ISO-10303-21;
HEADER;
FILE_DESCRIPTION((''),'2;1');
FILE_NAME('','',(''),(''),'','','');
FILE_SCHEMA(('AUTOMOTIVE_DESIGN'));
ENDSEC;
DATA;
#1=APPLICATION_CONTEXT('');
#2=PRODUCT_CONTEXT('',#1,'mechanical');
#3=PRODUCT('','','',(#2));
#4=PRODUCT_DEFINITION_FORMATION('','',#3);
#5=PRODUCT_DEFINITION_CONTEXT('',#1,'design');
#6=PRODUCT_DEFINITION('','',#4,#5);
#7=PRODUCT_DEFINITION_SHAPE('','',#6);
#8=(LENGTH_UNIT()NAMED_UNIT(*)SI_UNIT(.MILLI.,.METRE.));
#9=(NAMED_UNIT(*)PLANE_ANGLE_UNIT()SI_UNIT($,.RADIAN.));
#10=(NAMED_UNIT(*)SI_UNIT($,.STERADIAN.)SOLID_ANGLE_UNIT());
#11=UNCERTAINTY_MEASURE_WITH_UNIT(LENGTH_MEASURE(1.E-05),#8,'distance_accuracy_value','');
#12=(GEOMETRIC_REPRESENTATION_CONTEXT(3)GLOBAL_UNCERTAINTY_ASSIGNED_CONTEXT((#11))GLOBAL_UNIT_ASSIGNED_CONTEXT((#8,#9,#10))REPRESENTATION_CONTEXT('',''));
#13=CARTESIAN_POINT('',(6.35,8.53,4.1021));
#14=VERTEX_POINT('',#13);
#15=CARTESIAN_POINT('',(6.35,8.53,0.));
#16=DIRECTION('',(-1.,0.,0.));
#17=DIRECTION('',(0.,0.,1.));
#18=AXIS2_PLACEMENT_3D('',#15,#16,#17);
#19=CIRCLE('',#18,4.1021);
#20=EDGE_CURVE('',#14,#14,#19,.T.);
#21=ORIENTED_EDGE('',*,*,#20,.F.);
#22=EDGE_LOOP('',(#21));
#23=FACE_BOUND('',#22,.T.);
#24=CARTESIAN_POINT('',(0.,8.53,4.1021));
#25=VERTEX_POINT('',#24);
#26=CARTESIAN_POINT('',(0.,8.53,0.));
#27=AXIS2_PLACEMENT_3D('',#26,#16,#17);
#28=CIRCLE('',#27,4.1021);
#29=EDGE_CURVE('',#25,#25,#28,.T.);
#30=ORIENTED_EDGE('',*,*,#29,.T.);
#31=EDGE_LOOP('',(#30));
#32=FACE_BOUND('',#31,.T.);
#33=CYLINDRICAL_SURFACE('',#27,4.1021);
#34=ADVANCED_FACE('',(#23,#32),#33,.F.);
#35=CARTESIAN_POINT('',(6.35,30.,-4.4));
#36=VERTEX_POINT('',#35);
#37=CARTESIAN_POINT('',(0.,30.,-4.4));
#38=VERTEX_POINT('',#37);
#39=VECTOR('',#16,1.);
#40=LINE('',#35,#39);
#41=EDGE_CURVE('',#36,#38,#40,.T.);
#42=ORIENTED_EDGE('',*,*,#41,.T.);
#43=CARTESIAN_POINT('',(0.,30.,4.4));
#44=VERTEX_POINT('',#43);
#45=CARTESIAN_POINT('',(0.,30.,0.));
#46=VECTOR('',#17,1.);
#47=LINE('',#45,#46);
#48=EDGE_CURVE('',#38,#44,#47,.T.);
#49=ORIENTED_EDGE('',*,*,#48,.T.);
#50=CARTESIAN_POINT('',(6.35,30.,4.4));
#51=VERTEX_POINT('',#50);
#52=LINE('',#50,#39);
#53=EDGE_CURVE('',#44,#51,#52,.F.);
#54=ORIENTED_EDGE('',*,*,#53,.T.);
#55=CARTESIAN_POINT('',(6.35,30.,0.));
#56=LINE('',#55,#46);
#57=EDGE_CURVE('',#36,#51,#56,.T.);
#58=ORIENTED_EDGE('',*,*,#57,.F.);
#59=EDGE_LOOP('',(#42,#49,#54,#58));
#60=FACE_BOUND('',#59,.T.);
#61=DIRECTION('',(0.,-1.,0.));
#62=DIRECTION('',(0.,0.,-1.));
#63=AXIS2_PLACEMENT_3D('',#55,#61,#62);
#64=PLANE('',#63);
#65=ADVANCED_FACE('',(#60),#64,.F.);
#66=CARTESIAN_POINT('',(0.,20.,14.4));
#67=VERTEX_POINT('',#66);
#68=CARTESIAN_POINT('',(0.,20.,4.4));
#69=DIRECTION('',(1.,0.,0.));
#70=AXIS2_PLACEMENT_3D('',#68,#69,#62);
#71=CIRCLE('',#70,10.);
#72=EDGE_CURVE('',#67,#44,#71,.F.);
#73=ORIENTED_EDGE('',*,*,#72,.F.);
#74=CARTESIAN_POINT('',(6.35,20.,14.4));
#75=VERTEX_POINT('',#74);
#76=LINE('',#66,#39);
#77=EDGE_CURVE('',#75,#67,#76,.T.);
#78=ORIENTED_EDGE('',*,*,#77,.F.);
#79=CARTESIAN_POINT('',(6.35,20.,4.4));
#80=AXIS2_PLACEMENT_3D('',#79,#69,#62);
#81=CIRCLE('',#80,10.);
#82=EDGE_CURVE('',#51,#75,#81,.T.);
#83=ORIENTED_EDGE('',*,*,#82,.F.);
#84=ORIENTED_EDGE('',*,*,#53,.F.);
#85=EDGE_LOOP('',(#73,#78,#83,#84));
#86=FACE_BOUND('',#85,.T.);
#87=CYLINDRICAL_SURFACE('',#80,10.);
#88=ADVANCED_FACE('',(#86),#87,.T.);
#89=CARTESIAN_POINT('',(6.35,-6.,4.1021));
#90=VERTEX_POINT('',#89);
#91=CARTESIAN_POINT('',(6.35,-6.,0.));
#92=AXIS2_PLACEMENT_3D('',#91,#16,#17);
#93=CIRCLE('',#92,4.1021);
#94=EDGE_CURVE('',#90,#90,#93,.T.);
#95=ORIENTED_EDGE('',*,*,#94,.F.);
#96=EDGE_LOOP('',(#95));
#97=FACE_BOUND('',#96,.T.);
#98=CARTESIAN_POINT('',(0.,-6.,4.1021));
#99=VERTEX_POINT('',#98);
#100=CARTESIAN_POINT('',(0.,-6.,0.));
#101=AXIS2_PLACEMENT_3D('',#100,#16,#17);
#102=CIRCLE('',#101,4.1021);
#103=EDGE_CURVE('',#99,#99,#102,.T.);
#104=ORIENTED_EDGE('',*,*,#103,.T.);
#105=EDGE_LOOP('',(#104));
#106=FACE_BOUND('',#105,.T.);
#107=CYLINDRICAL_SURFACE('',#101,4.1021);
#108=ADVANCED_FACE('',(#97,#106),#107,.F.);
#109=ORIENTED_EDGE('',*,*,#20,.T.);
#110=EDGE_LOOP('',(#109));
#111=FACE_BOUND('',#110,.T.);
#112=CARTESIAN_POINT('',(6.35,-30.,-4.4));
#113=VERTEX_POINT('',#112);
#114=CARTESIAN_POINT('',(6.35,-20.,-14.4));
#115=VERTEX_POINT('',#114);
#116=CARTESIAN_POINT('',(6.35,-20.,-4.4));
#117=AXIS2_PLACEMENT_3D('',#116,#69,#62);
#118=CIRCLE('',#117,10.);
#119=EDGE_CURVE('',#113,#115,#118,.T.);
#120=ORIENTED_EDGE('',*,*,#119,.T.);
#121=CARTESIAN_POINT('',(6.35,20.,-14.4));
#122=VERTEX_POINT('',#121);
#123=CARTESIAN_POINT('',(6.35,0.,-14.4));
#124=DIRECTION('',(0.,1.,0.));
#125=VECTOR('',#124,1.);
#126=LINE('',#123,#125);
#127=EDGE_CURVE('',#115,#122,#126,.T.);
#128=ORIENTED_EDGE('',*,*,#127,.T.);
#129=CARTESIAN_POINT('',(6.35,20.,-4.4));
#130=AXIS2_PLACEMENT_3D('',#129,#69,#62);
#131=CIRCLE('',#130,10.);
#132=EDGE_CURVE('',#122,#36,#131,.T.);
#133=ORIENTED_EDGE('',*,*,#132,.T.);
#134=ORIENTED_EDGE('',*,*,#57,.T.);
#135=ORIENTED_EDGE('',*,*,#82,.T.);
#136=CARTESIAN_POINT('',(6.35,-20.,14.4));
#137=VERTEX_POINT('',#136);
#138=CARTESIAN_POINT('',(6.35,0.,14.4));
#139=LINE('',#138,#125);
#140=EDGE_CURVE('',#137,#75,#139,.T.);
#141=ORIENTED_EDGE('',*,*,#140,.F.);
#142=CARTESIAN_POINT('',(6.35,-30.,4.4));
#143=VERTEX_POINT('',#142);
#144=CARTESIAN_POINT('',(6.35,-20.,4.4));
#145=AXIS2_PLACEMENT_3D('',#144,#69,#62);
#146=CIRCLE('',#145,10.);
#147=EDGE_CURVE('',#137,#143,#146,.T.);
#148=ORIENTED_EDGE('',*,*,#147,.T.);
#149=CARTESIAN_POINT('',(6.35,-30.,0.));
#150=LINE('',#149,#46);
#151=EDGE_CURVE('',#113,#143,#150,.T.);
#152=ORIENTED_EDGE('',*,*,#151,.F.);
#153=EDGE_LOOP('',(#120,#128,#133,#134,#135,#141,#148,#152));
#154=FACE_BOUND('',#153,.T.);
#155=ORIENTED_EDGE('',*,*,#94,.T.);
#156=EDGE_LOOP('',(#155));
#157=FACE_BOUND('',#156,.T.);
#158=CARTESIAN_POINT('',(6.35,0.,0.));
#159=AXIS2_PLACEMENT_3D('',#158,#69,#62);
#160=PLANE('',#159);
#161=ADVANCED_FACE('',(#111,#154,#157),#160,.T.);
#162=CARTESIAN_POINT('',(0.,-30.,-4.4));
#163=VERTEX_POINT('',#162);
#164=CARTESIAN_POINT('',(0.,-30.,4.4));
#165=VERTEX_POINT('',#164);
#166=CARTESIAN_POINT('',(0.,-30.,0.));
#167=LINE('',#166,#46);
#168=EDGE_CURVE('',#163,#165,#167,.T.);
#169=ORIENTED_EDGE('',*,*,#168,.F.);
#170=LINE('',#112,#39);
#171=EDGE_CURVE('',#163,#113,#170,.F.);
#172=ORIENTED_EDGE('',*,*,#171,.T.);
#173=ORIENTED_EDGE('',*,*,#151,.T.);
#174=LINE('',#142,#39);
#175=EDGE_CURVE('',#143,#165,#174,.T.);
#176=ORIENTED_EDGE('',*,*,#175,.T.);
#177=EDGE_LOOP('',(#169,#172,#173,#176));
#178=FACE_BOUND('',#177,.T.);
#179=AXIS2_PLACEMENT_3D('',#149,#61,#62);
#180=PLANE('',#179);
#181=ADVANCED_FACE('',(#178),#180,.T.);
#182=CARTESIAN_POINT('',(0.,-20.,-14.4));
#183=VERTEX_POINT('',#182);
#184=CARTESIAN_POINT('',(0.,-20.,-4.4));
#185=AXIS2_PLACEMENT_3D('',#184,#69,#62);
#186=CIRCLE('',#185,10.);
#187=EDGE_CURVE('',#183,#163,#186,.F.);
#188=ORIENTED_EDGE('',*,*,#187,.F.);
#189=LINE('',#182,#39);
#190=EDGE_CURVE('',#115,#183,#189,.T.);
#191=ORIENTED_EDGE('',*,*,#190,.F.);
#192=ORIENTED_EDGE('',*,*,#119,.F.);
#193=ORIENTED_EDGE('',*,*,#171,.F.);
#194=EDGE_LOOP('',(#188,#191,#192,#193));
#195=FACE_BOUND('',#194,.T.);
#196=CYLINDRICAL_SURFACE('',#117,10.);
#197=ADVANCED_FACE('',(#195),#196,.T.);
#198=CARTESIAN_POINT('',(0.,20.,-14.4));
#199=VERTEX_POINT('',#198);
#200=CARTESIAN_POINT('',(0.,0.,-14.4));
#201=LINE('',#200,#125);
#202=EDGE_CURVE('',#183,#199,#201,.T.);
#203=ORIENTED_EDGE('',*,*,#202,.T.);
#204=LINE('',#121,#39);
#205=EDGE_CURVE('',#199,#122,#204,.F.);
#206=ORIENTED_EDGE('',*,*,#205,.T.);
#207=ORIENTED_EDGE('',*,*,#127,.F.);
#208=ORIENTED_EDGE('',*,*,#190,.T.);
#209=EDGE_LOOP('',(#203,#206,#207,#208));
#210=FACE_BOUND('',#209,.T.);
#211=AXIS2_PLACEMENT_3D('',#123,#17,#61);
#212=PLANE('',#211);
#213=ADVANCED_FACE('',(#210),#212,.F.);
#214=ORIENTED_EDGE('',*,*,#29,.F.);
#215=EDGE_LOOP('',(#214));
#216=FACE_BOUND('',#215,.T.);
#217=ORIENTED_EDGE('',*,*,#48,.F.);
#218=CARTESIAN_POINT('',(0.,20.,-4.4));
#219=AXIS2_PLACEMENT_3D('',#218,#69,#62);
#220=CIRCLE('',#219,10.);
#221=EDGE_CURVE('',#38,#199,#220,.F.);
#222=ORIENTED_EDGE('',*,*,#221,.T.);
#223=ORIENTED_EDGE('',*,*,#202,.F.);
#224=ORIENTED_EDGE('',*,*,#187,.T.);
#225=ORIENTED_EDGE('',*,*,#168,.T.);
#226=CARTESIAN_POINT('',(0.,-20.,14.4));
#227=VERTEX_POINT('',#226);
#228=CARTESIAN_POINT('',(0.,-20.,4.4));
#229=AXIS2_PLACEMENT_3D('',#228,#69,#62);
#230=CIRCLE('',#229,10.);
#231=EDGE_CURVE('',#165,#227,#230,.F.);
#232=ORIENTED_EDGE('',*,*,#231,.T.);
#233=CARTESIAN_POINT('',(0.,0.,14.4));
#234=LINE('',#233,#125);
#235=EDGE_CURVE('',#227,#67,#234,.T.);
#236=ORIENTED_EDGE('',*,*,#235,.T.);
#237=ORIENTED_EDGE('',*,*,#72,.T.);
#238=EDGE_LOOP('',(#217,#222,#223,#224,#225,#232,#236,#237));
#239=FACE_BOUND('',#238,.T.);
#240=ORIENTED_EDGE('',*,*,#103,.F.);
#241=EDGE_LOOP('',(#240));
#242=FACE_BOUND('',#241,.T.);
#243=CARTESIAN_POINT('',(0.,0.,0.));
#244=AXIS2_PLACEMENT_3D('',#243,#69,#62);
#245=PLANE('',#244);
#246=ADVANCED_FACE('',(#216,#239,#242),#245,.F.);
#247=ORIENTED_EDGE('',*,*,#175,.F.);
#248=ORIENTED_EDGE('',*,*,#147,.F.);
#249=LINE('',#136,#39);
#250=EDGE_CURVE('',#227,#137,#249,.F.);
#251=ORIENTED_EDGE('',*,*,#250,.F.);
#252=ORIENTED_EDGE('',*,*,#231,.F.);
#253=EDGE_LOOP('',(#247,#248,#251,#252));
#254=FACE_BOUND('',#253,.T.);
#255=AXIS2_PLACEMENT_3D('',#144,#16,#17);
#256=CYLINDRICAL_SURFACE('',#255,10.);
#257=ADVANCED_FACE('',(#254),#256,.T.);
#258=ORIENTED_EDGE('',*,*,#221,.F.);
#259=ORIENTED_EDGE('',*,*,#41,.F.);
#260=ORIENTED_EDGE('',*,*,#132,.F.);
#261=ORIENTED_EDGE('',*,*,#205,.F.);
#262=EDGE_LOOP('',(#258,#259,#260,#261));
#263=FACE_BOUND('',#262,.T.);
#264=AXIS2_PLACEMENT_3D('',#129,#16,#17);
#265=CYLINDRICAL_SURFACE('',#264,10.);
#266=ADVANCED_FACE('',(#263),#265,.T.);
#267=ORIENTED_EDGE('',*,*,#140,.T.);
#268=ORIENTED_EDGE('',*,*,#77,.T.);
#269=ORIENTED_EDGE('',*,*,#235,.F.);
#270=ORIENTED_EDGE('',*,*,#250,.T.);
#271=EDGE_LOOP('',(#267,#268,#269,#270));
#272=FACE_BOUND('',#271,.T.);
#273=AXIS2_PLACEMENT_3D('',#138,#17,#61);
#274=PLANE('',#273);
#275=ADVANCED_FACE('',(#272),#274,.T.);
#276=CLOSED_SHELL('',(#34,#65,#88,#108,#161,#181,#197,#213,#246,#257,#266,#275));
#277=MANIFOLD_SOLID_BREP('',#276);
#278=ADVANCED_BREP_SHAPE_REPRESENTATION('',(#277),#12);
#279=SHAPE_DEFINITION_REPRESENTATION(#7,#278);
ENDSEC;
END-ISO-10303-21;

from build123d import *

# Parameters (mm, degrees)
SKETCH1_R                = 4
SKETCH1_W                = 28.8
SKETCH1_H                = 60
BOSS_EXTRUDE1_DEPTH      = 6.35
F_5_16_CLEARANCE_HOLE1_D = 8.2042
FILLET1_R                = 10


with BuildPart() as part:
    # Sketch1 → Boss-Extrude1 (new body)
    with BuildSketch(Plane(origin=(0, 0, 0), x_dir=(0, 0, -1), z_dir=(1, 0, 0))):
        with Locations((0, -6)):
            Circle(SKETCH1_R)
        with Locations((0, 8.53)):
            Circle(SKETCH1_R)
        Rectangle(SKETCH1_W, SKETCH1_H)
        with Locations((0, -6)):
            Circle(SKETCH1_R, mode=Mode.SUBTRACT)
        with Locations((0, 8.53)):
            Circle(SKETCH1_R, mode=Mode.SUBTRACT)
    extrude(amount=BOSS_EXTRUDE1_DEPTH)

    # 5/16 Clearance Hole1 (through all)
    with Locations(Plane.ZY):
        with Locations((0, 8.53), (0, -6)):
            Hole(F_5_16_CLEARANCE_HOLE1_D / 2)

    # Fillet1
    fillet1_edges = [part.edges().sort_by_distance(p)[0] for p in [
        (3.175, 30, 14.4),
        (3.175, 30, -14.4),
        (3.175, -30, -14.4),
        (3.175, -30, 14.4),
    ]]
    fillet(fillet1_edges, radius=FILLET1_R)


solid = part.part
